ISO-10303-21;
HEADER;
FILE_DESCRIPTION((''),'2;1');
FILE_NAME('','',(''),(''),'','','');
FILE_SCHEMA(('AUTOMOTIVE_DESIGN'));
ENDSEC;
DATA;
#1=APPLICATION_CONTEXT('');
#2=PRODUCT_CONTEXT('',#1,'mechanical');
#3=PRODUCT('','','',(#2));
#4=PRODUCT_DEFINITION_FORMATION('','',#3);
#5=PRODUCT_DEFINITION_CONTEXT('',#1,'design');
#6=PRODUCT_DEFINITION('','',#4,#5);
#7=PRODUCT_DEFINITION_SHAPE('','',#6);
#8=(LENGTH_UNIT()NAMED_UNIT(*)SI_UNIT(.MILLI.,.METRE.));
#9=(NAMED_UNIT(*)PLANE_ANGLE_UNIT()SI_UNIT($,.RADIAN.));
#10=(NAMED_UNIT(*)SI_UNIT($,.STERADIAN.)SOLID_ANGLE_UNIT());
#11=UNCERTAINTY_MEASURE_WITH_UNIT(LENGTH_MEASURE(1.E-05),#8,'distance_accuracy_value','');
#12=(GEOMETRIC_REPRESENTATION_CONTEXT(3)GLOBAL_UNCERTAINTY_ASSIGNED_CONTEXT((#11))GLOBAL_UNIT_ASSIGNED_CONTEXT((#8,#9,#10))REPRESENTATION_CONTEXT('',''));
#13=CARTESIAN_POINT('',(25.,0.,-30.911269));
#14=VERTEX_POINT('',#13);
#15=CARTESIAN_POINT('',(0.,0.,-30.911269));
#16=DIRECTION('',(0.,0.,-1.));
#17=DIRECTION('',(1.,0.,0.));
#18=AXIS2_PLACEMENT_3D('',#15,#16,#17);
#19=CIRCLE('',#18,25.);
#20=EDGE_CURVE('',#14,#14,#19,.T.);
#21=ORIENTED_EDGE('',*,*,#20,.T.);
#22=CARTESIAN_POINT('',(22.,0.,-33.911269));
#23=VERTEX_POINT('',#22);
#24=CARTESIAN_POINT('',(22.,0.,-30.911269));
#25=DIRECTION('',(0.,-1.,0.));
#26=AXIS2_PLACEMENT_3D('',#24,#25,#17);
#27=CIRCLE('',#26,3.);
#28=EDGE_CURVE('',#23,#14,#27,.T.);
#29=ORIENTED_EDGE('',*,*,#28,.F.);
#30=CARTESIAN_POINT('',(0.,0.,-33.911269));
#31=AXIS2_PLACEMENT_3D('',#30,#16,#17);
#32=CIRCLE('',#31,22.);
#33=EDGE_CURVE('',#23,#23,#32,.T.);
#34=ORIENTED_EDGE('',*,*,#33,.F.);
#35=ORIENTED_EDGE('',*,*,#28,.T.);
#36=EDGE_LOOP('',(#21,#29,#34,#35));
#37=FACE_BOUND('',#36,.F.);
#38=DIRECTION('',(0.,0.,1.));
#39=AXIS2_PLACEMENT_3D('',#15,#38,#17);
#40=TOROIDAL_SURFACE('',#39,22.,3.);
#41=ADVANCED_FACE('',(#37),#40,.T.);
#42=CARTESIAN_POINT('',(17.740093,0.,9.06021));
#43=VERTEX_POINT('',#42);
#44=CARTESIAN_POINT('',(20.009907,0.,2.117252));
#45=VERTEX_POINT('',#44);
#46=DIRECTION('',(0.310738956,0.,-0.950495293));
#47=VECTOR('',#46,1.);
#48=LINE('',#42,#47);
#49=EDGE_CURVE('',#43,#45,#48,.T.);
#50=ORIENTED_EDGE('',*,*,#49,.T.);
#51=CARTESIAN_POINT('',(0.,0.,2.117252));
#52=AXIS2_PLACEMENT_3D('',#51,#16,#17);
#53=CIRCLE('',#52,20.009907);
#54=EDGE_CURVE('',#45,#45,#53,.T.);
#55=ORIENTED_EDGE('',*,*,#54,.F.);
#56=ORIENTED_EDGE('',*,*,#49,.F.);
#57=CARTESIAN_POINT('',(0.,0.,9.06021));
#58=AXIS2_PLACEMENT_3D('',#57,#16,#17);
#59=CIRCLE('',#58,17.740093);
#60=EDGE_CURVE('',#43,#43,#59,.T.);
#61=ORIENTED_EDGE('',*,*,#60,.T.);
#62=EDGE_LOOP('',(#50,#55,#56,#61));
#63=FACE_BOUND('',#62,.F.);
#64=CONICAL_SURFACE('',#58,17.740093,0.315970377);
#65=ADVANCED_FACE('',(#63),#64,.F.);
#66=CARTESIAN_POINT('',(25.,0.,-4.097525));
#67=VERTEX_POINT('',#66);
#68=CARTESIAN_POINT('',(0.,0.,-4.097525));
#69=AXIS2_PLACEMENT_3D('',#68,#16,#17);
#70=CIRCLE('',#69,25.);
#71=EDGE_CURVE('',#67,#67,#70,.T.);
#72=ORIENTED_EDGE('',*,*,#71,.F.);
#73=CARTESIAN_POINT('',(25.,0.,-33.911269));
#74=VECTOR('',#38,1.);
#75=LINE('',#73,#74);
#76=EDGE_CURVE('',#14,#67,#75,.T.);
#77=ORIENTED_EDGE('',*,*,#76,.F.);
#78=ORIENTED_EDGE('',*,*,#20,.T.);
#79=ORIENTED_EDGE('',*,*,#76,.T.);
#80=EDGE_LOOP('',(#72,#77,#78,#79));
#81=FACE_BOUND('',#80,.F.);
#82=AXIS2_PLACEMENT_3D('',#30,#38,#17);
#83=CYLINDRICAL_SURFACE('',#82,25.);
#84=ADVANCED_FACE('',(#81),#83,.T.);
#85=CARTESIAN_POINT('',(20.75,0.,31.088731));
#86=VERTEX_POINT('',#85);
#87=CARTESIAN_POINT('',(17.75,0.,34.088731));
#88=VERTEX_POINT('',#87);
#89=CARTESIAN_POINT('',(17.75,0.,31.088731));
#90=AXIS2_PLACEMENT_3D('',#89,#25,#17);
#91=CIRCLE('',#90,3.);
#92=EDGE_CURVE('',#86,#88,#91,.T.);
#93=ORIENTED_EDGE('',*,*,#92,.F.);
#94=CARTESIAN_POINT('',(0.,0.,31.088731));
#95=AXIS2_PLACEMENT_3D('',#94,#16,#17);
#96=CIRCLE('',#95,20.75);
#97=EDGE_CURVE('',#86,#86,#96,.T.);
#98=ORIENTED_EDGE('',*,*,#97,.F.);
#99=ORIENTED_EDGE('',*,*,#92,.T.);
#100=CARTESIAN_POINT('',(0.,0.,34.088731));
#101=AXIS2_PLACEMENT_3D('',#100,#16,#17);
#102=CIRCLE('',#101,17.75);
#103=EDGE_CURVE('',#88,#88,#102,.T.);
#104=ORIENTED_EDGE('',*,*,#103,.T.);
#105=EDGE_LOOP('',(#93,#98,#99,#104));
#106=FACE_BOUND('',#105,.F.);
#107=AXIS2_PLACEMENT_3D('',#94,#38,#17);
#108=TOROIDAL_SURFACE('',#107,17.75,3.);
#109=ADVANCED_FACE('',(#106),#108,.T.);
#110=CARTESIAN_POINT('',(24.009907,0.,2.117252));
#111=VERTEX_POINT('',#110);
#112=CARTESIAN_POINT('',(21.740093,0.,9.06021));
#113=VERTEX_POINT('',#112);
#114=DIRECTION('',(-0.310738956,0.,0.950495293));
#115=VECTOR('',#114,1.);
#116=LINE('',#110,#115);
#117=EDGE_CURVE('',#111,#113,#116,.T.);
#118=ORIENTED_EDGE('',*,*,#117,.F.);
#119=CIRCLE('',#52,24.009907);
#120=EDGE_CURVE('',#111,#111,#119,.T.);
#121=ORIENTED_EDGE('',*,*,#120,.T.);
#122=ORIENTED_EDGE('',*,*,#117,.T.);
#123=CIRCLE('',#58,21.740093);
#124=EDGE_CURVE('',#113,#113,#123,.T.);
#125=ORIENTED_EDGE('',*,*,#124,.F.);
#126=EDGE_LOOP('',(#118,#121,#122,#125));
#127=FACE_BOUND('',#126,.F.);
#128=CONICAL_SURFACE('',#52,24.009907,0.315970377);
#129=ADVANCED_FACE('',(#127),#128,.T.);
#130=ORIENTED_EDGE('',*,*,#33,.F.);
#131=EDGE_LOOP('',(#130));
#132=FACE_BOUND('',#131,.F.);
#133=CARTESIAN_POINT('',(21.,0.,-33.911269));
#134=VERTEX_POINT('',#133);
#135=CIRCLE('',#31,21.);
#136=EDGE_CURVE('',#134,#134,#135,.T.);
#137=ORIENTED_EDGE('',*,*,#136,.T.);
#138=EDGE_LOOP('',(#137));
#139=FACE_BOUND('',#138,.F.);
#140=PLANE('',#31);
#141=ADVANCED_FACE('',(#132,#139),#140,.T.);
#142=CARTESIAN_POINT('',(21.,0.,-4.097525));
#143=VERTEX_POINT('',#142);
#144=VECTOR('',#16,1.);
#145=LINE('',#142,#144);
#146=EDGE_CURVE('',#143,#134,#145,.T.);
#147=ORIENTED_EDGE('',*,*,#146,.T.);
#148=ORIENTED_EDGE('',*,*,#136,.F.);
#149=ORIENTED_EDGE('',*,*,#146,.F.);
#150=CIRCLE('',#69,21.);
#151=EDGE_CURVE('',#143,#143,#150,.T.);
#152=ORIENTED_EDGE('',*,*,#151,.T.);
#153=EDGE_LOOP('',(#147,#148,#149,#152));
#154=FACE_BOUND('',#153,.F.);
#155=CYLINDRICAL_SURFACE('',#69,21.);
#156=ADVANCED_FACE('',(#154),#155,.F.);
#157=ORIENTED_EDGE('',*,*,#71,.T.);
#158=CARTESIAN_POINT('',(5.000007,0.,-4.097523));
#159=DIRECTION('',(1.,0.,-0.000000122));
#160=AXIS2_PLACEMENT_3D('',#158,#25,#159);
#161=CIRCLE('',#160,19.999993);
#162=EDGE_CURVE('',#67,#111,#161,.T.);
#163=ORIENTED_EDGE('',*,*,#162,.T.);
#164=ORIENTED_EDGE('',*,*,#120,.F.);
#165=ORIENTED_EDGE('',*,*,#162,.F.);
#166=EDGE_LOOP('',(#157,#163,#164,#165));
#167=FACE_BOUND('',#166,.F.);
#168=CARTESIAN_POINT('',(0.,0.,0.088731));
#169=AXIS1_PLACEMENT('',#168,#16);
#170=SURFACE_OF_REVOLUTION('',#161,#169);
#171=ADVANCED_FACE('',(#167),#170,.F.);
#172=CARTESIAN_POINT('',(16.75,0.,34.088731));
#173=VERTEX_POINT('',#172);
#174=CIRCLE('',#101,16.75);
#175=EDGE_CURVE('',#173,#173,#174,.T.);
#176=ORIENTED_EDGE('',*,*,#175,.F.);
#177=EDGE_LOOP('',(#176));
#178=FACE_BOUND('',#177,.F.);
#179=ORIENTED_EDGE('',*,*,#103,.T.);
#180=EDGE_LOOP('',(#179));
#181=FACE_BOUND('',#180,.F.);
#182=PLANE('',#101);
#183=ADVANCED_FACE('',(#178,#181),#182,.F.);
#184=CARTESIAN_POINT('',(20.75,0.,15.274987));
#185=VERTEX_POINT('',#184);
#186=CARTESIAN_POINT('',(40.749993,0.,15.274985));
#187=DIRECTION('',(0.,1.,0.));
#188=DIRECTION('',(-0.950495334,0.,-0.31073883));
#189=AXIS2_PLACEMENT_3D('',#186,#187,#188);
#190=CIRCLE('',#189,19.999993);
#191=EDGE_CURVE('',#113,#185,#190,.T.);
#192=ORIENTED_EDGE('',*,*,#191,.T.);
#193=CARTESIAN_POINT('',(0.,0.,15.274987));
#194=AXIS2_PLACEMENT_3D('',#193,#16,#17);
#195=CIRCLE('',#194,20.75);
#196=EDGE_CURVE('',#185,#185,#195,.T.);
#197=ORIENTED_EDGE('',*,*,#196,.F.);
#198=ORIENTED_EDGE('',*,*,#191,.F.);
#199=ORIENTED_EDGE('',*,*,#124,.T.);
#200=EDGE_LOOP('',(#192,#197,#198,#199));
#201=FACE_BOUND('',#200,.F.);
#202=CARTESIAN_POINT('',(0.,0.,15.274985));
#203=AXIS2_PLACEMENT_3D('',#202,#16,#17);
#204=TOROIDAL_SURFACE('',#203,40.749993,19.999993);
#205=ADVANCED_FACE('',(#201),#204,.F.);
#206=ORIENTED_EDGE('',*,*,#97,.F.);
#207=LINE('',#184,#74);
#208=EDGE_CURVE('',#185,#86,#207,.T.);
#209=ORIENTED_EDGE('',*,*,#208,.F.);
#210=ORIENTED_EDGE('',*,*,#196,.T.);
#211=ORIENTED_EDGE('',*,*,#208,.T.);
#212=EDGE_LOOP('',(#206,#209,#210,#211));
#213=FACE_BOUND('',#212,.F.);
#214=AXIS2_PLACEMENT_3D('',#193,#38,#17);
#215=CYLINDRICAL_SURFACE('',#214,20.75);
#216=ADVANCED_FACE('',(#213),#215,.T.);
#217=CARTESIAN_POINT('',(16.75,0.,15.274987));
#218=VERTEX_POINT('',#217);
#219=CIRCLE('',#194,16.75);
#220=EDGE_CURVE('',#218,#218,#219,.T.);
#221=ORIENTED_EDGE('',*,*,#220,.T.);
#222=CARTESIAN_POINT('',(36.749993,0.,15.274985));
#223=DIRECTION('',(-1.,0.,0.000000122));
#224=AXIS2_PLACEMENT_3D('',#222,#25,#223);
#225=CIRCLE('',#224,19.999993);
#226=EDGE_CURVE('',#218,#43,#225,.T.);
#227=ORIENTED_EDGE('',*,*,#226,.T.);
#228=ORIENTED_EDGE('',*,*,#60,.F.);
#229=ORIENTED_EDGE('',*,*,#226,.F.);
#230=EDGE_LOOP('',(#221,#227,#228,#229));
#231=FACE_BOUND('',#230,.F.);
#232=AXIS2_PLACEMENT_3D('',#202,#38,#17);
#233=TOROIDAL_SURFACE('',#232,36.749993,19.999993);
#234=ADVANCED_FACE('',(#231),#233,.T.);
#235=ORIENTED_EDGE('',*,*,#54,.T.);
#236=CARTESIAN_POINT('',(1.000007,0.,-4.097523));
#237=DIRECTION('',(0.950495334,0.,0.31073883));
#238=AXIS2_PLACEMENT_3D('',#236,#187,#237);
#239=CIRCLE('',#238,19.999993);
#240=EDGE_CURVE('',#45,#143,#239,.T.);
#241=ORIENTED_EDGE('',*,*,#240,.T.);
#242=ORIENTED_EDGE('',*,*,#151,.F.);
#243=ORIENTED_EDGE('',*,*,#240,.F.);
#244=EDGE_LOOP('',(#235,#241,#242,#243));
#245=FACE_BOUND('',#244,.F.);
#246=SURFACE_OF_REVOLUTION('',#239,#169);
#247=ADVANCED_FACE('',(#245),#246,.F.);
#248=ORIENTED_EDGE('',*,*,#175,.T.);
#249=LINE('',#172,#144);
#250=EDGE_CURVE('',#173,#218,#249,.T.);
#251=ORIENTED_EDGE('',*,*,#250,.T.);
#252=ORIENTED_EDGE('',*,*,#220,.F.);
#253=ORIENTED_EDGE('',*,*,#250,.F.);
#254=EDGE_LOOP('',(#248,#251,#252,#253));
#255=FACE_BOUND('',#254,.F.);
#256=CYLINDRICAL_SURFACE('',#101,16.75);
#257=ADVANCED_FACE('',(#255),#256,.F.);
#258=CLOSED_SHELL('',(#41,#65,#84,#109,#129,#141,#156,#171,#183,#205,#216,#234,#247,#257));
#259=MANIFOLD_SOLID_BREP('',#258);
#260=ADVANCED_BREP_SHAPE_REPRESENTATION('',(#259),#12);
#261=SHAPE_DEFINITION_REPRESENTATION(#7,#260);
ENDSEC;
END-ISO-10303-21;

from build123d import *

# Parameters (mm, degrees)
F2_R = 3


with BuildPart() as f1:
    # F0 (on Front) → F1 (revolve)
    with BuildSketch(Plane.XZ):
        with BuildLine():
            Line((20.75, 15.274987), (20.75, 34.088731))
            Line((20.75, 34.088731), (16.75, 34.088731))
            Line((16.75, 34.088731), (16.75, 15.274987))
            ThreePointArc((16.75, 15.274987), (16.999074, 12.128412), (17.740093, 9.06021))
            Line((17.740093, 9.06021), (20.009907, 2.117252))
            ThreePointArc((20.009907, 2.117252), (20.750926, -0.95095), (21, -4.097525))
            Line((21, -4.097525), (21, -33.911269))
            Line((21, -33.911269), (25, -33.911269))
            Line((25, -33.911269), (25, -4.097525))
            ThreePointArc((25, -4.097525), (24.750926, -0.95095), (24.009907, 2.117252))
            Line((24.009907, 2.117252), (21.740093, 9.06021))
            ThreePointArc((21.740093, 9.06021), (20.999074, 12.128412), (20.75, 15.274987))
        make_face()
    revolve(axis=Axis((0, 0, 0.088731), (0, 0, -1)))

    # F2
    f2_edges = [f1.edges().sort_by_distance(p)[0] for p in [
        (-20.75, 0, 34.088731),
        (-25, 0, -33.911269),
    ]]
    fillet(f2_edges, radius=F2_R)


solid = f1.part
